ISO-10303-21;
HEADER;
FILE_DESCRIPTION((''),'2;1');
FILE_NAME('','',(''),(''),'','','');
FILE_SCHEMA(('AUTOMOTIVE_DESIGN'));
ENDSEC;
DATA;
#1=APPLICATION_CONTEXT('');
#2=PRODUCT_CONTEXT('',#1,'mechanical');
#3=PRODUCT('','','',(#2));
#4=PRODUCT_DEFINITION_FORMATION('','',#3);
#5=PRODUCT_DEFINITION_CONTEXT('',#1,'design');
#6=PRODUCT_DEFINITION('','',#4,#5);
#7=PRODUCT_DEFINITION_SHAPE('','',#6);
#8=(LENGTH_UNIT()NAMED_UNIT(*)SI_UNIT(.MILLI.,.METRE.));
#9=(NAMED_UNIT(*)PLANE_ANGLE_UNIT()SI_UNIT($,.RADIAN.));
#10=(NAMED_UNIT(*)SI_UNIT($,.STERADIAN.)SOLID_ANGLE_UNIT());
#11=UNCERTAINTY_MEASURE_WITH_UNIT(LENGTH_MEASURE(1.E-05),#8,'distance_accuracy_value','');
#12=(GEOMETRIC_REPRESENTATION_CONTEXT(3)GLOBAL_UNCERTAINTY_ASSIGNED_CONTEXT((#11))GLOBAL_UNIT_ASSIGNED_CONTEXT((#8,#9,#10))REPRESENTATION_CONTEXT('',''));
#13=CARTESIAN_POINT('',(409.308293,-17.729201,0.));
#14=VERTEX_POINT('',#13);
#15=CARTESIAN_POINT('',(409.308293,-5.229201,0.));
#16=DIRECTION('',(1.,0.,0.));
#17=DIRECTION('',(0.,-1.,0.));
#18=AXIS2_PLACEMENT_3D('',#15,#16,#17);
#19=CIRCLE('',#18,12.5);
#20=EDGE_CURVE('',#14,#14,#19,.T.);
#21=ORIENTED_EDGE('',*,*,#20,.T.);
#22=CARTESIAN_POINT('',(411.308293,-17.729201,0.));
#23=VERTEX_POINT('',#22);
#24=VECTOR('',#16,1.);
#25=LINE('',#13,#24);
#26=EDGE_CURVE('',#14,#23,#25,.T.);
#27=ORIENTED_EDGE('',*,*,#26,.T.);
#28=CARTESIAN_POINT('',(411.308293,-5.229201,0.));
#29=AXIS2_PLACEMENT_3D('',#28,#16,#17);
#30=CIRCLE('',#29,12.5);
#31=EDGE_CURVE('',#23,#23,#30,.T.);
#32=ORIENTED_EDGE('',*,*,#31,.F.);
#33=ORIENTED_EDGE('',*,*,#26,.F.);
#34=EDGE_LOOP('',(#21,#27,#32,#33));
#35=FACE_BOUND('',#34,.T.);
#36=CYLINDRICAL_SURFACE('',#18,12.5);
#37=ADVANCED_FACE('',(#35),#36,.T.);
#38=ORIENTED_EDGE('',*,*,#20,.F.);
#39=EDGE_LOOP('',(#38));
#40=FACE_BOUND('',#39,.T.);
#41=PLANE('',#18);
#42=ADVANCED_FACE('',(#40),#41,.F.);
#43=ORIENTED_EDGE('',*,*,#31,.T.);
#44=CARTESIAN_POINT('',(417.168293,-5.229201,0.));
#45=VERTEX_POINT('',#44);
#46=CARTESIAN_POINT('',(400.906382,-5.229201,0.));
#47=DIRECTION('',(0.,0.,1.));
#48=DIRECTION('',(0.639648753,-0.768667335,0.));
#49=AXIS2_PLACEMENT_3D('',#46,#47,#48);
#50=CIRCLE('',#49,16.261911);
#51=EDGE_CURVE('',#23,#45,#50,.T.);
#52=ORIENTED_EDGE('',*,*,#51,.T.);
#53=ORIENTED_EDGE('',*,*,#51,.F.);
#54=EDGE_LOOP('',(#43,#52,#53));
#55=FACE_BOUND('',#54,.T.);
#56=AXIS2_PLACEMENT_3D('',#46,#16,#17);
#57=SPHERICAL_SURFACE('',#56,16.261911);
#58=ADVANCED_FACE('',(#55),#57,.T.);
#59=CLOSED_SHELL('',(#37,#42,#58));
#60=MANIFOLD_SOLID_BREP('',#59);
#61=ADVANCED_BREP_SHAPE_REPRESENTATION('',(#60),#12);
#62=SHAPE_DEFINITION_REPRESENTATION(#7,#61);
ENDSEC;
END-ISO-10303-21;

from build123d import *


with BuildPart() as part:
    # 草图1 → 旋转1 (revolve)
    with BuildSketch(Plane.XY, mode=Mode.PRIVATE) as revolve_1_sk:
        with BuildLine():
            Line((409.308292932, -5.229201433), (409.308292932, 7.270798567))
            Line((409.308292932, 7.270798567), (411.308292932, 7.270798567))
            ThreePointArc((411.308292932, 7.270798567), (415.630591594, 1.67350818), (417.168292932, -5.229201433))
            Line((417.168292932, -5.229201433), (409.308292932, -5.229201433))
        make_face()
    revolve(revolve_1_sk.sketch.rotate(Axis((407.279185353, -5.229201433, 0), (1, 0, 0)), 180), axis=Axis((407.279185353, -5.229201433, 0), (1, 0, 0)))  # turned: the seam where the file's is


solid = part.part
